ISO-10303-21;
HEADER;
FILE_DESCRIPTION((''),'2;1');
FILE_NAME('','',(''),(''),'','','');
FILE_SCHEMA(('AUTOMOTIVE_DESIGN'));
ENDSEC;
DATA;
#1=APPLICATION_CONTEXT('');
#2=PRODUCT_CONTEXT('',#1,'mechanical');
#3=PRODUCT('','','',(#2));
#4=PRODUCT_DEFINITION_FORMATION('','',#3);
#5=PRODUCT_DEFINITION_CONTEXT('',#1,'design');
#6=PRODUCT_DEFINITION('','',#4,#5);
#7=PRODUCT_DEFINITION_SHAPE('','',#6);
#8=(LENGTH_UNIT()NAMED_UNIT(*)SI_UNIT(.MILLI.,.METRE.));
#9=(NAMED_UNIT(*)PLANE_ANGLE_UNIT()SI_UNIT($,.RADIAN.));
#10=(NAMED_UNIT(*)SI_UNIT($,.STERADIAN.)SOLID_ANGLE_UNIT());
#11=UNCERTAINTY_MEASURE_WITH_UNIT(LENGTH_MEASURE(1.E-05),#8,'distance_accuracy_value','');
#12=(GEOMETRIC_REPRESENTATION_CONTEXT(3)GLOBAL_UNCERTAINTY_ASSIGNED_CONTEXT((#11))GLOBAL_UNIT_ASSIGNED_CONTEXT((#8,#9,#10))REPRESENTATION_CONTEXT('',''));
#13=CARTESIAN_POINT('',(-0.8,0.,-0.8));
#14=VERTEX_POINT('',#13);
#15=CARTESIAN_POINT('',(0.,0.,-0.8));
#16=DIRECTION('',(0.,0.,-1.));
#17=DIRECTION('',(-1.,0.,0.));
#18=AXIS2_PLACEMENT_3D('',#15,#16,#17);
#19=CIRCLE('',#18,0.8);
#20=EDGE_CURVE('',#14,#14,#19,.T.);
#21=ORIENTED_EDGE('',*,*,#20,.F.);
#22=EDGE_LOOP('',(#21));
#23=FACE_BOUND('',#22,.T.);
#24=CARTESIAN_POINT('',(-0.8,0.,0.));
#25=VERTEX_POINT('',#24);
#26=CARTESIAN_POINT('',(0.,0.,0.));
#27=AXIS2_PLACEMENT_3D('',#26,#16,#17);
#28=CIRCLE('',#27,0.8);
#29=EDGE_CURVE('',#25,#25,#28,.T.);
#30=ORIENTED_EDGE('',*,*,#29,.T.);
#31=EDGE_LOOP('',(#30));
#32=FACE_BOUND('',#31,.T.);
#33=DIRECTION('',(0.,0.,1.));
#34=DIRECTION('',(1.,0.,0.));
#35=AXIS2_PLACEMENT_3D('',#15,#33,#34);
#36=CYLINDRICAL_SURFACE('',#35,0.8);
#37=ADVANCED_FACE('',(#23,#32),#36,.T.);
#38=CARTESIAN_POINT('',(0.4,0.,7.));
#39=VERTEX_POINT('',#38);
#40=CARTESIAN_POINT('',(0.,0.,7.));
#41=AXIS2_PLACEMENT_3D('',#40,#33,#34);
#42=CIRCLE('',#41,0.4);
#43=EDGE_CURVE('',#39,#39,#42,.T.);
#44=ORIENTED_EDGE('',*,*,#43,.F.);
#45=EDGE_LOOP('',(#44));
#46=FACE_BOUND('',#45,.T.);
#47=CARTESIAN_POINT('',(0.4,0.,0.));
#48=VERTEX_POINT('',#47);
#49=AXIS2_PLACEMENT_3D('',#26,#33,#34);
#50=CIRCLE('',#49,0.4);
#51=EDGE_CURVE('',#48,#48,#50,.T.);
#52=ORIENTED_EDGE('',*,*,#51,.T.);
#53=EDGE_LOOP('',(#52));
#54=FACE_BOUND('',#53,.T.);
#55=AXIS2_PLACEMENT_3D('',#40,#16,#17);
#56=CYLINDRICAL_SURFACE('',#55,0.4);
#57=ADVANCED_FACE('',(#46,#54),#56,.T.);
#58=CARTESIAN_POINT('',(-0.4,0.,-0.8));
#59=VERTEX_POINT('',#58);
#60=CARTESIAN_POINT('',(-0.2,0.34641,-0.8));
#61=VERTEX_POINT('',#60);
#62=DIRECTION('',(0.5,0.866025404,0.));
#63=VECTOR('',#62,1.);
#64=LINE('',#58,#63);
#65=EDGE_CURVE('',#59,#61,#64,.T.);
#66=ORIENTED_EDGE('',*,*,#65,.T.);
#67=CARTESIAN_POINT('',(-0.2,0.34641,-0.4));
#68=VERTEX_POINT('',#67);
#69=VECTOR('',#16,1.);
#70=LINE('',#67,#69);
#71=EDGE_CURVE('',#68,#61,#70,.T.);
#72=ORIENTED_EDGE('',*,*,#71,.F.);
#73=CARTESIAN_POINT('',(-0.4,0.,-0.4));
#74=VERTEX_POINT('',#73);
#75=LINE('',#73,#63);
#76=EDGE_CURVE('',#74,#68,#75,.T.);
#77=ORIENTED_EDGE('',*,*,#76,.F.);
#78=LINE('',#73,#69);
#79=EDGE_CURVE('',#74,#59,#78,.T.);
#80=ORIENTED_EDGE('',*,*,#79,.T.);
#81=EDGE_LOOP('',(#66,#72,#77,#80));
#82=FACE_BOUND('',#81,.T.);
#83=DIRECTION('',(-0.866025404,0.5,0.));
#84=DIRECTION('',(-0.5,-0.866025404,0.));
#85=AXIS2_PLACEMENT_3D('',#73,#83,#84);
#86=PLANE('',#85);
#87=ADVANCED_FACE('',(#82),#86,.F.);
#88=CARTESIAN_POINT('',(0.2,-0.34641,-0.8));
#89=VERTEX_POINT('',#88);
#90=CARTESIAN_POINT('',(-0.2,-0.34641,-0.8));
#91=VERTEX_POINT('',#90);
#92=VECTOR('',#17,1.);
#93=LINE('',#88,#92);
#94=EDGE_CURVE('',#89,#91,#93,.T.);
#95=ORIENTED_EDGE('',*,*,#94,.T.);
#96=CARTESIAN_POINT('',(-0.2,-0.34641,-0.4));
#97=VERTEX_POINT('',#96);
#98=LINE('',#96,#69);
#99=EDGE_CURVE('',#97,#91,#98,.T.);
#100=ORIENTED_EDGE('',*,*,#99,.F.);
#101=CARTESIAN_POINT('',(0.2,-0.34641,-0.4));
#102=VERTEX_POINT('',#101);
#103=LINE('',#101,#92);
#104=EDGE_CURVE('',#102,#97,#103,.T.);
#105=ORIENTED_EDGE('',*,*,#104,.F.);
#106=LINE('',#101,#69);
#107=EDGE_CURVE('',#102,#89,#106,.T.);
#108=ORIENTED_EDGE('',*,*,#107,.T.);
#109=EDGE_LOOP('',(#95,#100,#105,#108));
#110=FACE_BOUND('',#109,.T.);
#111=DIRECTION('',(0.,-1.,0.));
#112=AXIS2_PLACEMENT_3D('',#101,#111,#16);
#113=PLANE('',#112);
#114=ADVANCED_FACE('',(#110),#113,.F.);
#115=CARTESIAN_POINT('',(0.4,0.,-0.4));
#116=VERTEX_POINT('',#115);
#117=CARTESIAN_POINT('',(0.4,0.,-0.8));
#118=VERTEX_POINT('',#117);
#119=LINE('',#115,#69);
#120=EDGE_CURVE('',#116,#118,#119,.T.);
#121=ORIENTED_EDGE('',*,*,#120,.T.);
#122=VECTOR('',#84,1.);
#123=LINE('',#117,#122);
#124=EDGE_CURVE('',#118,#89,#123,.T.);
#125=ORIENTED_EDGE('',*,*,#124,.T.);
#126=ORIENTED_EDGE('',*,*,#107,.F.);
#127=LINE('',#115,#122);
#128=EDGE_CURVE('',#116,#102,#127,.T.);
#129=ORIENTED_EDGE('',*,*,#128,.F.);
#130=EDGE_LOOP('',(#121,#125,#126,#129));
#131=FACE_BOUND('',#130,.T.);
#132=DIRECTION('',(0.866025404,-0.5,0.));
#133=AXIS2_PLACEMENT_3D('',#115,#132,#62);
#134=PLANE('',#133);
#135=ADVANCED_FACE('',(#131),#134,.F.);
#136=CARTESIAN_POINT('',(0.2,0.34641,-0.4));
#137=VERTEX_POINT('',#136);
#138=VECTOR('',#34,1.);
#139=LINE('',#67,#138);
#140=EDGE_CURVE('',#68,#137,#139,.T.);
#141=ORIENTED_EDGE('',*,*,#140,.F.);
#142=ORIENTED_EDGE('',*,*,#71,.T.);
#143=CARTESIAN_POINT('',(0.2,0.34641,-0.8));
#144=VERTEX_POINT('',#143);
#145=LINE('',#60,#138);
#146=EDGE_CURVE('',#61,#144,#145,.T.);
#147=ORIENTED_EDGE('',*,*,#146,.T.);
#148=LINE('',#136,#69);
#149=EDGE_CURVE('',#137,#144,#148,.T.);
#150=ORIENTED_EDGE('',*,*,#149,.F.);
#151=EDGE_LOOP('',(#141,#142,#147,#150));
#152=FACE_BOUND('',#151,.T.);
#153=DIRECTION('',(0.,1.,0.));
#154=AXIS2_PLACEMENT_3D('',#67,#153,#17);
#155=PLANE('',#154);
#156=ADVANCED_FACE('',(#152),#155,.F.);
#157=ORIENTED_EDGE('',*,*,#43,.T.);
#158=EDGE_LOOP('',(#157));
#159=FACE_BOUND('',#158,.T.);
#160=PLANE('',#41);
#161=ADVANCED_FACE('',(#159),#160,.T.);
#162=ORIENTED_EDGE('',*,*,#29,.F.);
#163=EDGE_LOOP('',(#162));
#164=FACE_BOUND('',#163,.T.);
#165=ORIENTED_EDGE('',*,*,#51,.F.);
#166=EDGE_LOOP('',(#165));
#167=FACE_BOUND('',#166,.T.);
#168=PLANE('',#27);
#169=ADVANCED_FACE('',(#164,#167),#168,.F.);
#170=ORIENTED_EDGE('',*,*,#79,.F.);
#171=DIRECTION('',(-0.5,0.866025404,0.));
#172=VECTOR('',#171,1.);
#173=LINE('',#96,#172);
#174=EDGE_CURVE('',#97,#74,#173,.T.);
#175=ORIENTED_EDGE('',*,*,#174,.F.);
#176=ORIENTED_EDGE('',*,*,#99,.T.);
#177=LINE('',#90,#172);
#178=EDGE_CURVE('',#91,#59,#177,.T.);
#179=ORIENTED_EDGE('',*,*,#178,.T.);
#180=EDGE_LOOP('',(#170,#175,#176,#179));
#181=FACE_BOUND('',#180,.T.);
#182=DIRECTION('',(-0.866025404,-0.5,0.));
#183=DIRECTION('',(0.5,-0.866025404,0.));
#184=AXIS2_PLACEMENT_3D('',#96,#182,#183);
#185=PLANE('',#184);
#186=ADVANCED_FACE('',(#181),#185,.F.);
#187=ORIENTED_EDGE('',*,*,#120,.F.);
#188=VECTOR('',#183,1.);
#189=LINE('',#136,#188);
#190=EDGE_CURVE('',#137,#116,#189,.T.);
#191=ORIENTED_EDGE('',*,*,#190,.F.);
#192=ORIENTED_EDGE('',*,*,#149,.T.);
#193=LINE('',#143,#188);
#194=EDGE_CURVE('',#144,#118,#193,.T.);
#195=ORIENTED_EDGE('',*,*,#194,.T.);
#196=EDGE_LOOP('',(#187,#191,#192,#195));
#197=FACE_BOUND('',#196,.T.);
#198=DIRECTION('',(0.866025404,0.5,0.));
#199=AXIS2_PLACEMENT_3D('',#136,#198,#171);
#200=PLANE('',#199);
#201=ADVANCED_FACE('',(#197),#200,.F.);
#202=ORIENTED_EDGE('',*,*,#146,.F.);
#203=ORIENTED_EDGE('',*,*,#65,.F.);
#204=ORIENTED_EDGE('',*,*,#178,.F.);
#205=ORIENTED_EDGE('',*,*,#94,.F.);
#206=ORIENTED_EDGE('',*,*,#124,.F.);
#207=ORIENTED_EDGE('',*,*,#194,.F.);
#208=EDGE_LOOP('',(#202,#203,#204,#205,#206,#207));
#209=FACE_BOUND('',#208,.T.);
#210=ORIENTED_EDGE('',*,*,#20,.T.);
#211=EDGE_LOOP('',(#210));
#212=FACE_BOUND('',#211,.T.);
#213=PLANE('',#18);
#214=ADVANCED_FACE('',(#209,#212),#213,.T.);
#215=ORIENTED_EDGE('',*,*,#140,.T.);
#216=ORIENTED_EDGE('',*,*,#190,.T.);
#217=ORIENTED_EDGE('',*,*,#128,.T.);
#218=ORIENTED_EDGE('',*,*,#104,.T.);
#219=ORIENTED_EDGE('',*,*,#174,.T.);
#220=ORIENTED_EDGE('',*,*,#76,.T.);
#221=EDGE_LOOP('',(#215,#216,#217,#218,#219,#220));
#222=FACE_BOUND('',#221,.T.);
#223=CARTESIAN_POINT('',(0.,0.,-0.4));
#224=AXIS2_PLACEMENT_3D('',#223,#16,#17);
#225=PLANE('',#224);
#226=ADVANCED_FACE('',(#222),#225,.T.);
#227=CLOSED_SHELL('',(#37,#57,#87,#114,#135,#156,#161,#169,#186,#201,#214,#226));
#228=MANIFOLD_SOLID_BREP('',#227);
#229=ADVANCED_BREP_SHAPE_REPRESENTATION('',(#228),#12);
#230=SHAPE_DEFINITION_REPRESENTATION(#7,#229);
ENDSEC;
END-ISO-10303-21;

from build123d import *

# Parameters (mm, degrees)
SKETCH_1_R          = 0.4
EXTRUDE_1_DEPTH     = 7
SKETCH_2_R          = 0.8
EXTRUDE_2_DEPTH     = 0.8
CUT_EXTRUDE_1_DEPTH = 0.4


with BuildPart() as part:
    # 草图1 → 凸台-拉伸1 (new body)
    with BuildSketch(Plane.XY):
        Circle(SKETCH_1_R)
    extrude(amount=EXTRUDE_1_DEPTH)

    # 草图2 → 凸台-拉伸2 (add)
    with BuildSketch(Plane(origin=(0, 0, 0), x_dir=(-1, 0, 0), z_dir=(0, 0, -1))):
        Circle(SKETCH_2_R)
    extrude(amount=EXTRUDE_2_DEPTH)

    # 草图3 → 切除-拉伸1 (cut)
    with BuildSketch(Plane(origin=(0, 0, -0.8), x_dir=(-1, 0, 0), z_dir=(0, 0, -1))):
        Polygon((0.4, 0), (0.2, 0.346410162), (-0.2, 0.346410162), (-0.4, 0), (-0.2, -0.346410162), (0.2, -0.346410162), align=None)
    extrude(amount=-CUT_EXTRUDE_1_DEPTH, mode=Mode.SUBTRACT)


solid = part.part
